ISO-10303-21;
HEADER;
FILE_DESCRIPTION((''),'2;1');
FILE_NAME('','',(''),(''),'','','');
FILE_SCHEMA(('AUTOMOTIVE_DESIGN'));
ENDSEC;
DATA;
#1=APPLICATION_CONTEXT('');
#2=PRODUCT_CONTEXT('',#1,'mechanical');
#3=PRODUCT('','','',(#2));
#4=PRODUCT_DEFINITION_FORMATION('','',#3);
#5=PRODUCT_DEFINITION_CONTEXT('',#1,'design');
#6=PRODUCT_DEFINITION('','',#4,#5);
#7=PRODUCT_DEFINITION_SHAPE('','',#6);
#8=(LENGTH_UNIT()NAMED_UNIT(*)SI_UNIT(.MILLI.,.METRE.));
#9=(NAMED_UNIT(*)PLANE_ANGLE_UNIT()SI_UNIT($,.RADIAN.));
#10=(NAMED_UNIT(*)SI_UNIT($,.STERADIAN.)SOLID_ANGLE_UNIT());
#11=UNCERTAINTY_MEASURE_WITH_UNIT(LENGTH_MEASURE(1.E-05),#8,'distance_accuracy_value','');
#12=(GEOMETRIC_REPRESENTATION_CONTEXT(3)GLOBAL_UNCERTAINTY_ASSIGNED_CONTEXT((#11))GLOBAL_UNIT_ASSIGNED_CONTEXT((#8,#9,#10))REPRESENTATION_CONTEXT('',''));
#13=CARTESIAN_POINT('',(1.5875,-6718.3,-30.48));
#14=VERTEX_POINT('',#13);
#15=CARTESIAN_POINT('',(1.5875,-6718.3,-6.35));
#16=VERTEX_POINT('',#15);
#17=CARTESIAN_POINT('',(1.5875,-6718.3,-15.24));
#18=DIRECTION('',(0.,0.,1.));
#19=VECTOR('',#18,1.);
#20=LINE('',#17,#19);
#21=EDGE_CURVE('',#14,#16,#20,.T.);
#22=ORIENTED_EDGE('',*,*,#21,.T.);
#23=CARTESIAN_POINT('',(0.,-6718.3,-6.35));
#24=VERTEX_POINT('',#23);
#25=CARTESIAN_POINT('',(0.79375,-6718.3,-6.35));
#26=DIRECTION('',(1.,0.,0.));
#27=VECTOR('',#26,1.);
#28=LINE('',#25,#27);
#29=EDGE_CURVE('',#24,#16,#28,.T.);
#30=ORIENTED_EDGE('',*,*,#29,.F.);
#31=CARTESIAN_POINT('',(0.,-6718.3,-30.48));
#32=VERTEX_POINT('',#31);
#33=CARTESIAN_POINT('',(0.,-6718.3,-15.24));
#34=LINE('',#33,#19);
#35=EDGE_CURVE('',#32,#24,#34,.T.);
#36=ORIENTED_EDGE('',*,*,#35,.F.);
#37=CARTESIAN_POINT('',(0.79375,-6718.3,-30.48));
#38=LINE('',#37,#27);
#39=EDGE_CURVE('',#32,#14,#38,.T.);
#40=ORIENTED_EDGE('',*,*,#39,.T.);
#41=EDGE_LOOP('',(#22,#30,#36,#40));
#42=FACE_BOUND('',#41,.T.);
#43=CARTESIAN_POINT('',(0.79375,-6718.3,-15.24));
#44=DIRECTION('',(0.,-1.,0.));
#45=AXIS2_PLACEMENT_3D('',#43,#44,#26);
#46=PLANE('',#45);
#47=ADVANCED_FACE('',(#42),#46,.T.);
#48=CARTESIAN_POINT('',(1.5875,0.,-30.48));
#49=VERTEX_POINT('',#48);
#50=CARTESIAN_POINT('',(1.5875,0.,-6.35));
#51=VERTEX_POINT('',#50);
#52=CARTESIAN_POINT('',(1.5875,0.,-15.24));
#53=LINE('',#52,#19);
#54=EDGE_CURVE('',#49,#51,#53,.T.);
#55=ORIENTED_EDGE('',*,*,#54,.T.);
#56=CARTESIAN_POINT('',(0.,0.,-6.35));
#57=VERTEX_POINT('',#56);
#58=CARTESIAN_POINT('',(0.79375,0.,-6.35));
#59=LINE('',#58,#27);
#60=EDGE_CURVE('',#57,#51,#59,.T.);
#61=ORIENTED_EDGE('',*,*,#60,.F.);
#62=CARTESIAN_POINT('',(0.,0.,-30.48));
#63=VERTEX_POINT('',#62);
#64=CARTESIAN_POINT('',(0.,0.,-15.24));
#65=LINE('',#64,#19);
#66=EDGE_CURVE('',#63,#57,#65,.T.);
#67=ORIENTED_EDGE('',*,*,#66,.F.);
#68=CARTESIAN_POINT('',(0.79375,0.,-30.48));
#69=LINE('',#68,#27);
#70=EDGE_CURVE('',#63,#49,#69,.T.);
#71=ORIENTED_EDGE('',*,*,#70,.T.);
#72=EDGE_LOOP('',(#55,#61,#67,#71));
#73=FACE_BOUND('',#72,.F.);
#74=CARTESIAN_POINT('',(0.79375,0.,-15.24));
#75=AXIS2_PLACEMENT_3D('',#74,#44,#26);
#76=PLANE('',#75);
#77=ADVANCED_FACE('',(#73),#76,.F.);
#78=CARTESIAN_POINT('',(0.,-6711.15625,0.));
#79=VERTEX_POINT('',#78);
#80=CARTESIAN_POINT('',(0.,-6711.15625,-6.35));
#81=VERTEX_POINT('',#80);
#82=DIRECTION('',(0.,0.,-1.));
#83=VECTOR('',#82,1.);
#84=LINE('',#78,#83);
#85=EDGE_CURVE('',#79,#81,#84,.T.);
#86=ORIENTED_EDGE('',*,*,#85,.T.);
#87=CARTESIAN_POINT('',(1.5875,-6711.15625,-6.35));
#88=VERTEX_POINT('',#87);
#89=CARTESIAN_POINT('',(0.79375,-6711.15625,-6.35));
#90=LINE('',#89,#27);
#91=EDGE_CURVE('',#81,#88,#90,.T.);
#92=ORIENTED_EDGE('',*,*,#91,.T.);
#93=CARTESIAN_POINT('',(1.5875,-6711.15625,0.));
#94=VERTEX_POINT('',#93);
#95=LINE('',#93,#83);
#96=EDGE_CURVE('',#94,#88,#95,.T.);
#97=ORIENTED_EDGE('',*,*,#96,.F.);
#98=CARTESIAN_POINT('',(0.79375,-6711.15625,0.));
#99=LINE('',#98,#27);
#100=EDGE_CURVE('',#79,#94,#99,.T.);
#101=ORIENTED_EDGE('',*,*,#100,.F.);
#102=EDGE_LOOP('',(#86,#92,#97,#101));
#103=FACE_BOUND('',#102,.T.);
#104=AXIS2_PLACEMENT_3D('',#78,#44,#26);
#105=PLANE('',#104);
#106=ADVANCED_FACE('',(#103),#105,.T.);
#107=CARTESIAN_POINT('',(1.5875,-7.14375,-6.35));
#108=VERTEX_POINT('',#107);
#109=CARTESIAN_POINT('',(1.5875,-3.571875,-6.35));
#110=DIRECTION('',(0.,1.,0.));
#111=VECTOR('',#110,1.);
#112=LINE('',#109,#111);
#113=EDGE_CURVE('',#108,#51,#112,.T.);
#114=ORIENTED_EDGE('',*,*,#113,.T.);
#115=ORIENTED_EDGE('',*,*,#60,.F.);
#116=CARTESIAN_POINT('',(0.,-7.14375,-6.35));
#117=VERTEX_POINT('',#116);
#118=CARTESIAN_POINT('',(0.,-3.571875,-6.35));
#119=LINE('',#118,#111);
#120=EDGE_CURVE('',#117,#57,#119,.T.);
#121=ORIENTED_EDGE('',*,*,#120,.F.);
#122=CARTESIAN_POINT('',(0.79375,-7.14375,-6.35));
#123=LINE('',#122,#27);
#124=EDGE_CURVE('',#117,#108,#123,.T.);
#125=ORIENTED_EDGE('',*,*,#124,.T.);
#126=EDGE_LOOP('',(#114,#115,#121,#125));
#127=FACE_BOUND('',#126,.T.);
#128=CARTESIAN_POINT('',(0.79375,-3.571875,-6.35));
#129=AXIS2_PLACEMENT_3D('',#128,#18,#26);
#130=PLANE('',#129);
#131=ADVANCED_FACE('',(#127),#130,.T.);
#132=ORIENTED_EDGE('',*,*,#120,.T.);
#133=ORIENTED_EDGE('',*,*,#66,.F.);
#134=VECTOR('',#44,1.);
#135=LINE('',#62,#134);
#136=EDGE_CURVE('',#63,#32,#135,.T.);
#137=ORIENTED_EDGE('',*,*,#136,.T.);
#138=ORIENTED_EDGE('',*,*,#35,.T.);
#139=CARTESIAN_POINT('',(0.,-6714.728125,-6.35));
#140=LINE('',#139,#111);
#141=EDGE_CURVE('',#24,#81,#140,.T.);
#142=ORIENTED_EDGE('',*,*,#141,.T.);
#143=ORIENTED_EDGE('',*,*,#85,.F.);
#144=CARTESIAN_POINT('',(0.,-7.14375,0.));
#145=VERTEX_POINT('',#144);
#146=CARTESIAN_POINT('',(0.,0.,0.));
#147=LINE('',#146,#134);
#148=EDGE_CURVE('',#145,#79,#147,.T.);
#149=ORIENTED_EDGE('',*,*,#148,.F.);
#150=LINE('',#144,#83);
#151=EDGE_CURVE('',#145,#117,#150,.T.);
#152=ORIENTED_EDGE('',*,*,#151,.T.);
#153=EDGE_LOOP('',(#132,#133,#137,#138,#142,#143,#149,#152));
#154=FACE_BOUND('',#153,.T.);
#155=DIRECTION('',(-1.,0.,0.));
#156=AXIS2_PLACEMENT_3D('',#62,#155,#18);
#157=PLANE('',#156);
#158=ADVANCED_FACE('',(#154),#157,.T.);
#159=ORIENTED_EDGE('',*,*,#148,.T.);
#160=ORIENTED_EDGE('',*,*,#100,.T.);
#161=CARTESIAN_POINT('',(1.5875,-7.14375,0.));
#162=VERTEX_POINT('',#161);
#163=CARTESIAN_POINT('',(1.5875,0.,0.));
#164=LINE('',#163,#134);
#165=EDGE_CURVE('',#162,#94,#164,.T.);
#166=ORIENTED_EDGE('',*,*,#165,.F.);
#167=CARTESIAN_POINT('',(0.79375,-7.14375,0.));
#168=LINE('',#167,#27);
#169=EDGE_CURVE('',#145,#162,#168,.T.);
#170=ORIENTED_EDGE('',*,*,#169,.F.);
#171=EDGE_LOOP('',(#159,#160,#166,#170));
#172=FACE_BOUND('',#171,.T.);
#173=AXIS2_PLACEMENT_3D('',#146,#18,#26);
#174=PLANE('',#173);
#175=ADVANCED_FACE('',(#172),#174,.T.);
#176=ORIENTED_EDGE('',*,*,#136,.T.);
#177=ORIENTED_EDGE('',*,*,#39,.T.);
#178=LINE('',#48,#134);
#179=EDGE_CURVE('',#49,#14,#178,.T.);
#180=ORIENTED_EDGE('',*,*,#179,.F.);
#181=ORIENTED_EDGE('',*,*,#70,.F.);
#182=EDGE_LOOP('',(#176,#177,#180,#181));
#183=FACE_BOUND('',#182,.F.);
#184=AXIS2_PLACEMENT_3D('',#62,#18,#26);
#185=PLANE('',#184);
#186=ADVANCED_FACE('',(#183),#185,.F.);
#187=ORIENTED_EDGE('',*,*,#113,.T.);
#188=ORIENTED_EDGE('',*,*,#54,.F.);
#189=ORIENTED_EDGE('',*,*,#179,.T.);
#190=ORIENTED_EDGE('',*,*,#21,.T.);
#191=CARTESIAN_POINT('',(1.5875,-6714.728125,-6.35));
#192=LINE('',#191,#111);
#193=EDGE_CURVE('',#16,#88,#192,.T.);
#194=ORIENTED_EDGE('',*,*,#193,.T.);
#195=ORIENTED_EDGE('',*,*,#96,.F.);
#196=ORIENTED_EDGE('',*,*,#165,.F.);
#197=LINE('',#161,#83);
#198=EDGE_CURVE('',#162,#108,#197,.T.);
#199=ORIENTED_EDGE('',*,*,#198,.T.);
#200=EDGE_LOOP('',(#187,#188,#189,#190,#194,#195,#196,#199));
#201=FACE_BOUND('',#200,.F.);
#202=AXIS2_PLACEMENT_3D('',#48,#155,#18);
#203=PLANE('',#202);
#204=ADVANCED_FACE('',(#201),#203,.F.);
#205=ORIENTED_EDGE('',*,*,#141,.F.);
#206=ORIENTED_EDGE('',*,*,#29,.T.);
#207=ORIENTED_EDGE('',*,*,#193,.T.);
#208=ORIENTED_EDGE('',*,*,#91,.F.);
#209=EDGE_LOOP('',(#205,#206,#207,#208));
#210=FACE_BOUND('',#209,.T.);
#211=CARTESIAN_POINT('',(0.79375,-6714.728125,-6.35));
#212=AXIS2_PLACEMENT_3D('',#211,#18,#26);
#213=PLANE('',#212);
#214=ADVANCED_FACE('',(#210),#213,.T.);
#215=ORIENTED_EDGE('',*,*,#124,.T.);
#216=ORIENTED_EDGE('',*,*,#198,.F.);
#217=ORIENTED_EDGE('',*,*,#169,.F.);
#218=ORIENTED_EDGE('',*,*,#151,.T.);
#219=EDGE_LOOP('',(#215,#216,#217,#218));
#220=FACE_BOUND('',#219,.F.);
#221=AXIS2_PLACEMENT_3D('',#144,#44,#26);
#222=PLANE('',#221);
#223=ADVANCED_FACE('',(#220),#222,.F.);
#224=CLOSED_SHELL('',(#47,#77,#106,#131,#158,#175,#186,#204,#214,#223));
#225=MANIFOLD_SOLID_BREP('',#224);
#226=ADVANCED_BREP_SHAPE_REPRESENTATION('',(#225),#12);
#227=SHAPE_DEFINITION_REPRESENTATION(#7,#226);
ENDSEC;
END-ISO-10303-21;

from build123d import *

# Parameters (mm, degrees)
F0_W     = 1.5875
F0_H     = 30.48
F1_DEPTH = 6718.3
F2_W     = 1.5875
F2_H     = 7.14375
F3_DEPTH = 6.35


with BuildPart() as f1:
    # F0 (on Front) → F1 (new body)
    with BuildSketch(Plane.XZ):
        with Locations((0.79375, -15.24)):
            Rectangle(F0_W, F0_H)
    extrude(amount=F1_DEPTH)

    # F2 (on face) → F3 (cut)
    with BuildSketch(Plane.XY):
        with Locations((0.79375, -6714.728125)):
            Rectangle(F2_W, F2_H)
        with Locations((0.79375, -3.571875)):
            Rectangle(F2_W, F2_H)
    extrude(amount=-F3_DEPTH, mode=Mode.SUBTRACT)


solid = f1.part
